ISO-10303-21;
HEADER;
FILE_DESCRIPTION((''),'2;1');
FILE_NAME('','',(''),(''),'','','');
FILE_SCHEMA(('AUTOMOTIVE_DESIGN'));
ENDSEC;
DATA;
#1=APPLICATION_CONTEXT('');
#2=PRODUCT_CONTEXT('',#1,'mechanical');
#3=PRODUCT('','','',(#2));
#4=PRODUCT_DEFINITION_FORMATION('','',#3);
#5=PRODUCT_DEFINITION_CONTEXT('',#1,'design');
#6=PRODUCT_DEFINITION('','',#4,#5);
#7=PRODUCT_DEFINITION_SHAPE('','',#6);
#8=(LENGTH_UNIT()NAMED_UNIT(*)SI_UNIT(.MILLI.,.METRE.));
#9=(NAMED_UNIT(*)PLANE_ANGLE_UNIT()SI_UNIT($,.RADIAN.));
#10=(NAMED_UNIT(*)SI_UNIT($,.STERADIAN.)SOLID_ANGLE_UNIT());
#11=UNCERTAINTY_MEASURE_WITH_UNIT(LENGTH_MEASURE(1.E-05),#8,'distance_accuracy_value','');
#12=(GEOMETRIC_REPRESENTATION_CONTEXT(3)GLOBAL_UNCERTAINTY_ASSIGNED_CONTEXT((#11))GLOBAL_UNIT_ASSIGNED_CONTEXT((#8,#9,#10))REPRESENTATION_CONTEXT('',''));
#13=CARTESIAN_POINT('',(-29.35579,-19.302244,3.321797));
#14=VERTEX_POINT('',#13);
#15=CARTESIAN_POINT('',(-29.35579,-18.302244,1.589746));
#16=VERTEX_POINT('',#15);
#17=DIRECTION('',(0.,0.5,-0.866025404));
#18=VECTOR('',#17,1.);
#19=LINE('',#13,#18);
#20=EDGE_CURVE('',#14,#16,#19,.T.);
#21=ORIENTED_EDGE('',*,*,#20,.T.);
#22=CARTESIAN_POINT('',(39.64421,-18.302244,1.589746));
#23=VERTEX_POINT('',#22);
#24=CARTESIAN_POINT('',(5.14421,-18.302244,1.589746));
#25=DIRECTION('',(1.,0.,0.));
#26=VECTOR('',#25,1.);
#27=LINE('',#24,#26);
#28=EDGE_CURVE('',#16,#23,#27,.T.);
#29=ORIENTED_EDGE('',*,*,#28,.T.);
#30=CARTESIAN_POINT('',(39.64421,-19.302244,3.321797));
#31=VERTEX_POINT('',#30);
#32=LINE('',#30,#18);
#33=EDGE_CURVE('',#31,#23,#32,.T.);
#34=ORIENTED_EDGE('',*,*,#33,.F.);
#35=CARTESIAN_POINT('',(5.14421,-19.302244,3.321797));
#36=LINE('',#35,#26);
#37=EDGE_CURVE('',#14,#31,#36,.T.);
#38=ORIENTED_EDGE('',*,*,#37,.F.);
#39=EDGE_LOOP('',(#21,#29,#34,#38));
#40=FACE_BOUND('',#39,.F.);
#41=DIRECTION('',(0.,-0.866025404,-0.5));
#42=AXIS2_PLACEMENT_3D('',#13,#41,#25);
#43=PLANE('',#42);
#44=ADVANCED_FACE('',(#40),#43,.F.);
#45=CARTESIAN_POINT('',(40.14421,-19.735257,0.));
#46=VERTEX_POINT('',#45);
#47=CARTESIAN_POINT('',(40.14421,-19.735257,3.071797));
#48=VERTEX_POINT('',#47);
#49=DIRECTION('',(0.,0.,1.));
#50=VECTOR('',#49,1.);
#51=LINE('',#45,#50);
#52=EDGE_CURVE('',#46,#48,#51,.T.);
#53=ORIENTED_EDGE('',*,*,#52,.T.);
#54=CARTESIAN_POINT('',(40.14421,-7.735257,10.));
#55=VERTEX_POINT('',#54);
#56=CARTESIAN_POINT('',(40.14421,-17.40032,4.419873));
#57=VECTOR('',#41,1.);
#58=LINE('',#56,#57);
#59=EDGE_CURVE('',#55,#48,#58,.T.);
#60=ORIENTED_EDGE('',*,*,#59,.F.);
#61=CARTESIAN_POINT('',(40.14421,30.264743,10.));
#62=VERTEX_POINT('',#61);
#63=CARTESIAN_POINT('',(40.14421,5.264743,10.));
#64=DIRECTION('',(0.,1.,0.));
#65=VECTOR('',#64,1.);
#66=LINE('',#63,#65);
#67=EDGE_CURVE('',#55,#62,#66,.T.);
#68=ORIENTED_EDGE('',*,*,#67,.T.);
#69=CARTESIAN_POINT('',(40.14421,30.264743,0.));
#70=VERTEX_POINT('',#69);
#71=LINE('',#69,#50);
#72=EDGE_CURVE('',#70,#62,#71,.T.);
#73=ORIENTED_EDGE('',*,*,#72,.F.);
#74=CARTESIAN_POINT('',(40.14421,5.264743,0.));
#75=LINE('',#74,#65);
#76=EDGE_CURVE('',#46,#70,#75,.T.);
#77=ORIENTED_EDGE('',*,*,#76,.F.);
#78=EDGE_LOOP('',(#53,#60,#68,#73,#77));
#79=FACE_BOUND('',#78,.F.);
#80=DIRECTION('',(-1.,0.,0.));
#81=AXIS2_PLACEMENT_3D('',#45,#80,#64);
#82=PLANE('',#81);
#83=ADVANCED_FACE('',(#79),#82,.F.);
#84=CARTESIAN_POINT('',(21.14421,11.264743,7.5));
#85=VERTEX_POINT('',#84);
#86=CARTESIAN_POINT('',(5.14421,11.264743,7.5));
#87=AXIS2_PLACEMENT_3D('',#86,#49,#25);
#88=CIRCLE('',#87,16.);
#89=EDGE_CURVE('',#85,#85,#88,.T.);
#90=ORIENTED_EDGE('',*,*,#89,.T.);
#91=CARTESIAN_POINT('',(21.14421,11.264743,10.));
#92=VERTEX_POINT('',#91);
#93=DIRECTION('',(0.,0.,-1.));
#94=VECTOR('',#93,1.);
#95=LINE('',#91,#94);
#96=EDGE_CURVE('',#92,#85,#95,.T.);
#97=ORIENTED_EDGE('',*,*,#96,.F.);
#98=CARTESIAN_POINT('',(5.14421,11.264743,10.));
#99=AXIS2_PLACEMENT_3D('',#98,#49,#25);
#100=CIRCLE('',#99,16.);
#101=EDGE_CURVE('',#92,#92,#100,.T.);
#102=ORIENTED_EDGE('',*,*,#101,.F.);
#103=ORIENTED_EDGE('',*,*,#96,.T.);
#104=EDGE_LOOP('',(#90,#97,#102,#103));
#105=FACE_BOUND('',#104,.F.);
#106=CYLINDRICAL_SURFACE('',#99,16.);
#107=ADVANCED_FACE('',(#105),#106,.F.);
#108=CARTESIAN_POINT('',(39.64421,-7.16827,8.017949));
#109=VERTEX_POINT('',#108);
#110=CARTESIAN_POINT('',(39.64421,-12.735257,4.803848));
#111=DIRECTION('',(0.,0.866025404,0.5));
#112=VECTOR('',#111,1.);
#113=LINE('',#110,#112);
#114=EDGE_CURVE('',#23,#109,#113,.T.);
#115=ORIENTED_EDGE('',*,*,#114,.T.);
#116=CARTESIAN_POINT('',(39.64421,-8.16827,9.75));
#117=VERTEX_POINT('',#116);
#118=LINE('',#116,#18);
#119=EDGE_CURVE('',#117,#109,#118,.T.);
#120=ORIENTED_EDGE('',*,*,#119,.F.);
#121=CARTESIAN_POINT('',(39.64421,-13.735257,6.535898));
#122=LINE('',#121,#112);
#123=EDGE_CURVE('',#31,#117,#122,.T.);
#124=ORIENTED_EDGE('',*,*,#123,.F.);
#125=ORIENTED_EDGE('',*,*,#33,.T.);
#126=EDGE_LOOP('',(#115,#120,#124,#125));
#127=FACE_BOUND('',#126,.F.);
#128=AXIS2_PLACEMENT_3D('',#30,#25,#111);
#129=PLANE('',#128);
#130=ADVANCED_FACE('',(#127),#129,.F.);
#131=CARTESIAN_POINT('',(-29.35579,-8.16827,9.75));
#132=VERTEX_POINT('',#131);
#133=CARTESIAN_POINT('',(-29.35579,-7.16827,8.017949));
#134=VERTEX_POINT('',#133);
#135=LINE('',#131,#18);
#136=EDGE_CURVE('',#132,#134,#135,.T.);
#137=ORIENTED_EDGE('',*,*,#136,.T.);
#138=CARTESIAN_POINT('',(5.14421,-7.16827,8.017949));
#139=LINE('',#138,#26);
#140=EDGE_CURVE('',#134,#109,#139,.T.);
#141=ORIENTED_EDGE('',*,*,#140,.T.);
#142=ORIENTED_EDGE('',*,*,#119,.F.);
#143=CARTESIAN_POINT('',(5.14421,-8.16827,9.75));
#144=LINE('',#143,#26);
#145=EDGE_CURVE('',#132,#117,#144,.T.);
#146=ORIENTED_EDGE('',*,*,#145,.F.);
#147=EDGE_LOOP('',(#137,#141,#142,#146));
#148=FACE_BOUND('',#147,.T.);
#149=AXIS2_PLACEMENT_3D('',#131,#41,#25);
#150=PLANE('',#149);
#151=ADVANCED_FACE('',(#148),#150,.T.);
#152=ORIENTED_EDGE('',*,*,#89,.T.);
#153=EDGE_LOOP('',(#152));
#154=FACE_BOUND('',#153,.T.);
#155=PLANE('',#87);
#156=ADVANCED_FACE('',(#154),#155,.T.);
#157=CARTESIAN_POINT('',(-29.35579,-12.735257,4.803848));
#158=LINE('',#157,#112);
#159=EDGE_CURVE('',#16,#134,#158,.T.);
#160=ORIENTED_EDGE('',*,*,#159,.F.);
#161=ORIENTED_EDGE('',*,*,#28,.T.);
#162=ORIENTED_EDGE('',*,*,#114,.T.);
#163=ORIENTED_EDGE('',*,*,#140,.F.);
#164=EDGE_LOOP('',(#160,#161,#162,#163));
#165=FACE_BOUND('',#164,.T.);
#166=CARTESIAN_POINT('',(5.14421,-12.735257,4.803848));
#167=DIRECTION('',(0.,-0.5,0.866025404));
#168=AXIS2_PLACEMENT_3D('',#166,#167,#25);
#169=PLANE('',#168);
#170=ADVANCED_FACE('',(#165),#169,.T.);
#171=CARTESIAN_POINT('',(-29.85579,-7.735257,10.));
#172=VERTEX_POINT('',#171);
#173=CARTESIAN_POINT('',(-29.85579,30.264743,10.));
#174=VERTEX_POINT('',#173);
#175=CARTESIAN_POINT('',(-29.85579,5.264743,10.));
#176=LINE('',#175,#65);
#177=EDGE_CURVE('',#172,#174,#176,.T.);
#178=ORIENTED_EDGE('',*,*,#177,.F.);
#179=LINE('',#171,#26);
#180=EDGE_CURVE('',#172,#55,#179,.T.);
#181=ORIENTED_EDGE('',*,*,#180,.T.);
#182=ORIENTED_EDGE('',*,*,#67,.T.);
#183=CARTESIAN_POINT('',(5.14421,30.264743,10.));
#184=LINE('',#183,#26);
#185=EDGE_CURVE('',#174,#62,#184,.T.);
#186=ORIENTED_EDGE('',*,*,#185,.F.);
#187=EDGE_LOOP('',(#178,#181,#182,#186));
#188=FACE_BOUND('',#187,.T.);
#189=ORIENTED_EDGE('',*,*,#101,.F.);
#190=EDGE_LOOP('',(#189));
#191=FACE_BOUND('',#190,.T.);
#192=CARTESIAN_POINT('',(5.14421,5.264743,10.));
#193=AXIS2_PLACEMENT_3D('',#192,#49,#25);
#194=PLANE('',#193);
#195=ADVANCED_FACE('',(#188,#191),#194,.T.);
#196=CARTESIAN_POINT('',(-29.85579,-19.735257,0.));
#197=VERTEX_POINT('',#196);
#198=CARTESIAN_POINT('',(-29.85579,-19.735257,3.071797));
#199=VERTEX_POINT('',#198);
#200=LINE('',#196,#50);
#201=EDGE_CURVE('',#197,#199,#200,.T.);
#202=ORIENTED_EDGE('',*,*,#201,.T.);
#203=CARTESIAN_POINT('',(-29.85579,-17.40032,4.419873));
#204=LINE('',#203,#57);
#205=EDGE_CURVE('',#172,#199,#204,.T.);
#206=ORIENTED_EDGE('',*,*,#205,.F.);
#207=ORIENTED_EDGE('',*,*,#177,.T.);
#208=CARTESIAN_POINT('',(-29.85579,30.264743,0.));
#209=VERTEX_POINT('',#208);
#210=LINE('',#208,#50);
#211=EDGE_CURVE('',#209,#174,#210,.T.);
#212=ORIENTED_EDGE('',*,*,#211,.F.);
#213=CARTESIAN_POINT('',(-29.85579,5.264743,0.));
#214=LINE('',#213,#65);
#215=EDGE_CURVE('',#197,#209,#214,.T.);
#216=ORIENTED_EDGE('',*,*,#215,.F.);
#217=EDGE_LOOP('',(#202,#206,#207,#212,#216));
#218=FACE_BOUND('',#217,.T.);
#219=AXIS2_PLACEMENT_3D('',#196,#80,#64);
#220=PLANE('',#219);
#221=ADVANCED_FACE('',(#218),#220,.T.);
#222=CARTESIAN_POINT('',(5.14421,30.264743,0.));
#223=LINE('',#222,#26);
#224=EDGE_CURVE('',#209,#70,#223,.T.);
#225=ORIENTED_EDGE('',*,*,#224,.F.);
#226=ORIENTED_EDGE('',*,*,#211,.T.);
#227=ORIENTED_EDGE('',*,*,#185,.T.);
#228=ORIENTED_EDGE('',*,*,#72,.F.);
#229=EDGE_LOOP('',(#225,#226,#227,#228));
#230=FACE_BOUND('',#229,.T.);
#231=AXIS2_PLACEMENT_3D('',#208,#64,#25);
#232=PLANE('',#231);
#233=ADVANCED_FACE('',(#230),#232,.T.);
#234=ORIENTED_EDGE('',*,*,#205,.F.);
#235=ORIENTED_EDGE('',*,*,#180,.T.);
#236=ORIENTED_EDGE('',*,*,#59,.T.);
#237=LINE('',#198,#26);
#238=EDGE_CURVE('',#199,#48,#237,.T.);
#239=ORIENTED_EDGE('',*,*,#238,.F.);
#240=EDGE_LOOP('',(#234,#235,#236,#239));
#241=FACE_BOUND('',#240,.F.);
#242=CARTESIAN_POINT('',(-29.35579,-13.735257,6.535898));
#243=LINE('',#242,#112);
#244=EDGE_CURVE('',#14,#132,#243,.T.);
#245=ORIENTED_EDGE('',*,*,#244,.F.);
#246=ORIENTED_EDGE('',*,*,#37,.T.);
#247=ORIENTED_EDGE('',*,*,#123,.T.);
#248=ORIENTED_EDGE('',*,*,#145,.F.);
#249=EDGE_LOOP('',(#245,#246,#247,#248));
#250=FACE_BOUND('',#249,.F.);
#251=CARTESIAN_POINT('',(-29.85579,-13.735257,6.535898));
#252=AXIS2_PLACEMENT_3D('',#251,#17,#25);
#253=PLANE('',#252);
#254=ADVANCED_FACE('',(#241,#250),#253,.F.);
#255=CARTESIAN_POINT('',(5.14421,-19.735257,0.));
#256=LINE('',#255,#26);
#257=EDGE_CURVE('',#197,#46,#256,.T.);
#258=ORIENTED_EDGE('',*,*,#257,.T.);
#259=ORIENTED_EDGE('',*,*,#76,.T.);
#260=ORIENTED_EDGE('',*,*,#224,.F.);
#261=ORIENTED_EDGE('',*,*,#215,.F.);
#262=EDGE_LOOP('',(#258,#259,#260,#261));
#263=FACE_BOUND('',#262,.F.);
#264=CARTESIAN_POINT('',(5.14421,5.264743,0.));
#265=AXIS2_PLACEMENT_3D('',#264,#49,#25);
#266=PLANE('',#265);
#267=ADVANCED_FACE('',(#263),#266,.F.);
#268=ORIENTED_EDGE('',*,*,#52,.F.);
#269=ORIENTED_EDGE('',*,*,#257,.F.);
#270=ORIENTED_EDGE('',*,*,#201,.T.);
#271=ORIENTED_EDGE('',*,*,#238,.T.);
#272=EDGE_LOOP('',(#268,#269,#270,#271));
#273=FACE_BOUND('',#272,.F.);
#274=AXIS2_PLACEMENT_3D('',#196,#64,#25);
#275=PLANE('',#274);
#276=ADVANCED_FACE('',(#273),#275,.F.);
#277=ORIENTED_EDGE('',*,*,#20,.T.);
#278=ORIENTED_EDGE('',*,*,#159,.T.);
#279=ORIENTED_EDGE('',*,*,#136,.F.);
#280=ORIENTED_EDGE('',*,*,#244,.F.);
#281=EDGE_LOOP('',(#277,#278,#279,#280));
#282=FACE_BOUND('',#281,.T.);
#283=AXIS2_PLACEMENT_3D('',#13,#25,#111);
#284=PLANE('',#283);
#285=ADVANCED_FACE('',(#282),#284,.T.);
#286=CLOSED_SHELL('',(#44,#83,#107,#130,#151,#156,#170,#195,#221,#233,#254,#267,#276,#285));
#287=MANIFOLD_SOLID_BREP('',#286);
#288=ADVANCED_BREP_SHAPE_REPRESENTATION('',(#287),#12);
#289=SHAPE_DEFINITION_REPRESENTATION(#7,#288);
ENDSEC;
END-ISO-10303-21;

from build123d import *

# Parameters (mm, degrees)
F0_W     = 70
F0_H     = 50
F1_DEPTH = 10
F2_SIZE2 = 6.9282032303
F2_SIZE  = 12
F3_R     = 16
F4_DEPTH = 2.5
F5_W     = 69
F5_H     = 12.8564064606
F6_DEPTH = 2


with BuildPart() as f1:
    # F0 (on Top) → F1 (new body)
    with BuildSketch(Plane.XY):
        with Locations((5.1442100421, 5.2647431195)):
            Rectangle(F0_W, F0_H)
    extrude(amount=F1_DEPTH)

    # F2
    f2_edges = [f1.edges().sort_by_distance(p)[0] for p in [
        (5.14421, -19.735257, 10),
    ]]
    f2_side = f1.faces().sort_by_distance((5.14421, 5.264743, 10))[0]
    chamfer(f2_edges, length=F2_SIZE, length2=F2_SIZE2, reference=f2_side)

    # F3 (on face) → F4 (cut)
    with BuildSketch(Plane.XY.offset(10)):
        with Locations((5.1442100421, 11.2647431195)):
            Circle(F3_R)
    extrude(amount=-F4_DEPTH, mode=Mode.SUBTRACT)

    # F5 (on face) → F6 (cut)
    with BuildSketch(Plane(origin=(0, -6.2639412391, 10.8494644817), x_dir=(1, 0, 0), z_dir=(0, -0.5, 0.8660254038))):
        with Locations((5.1442100421, -8.6271321936)):
            Rectangle(F5_W, F5_H)
    extrude(amount=-F6_DEPTH, mode=Mode.SUBTRACT)


solid = f1.part
